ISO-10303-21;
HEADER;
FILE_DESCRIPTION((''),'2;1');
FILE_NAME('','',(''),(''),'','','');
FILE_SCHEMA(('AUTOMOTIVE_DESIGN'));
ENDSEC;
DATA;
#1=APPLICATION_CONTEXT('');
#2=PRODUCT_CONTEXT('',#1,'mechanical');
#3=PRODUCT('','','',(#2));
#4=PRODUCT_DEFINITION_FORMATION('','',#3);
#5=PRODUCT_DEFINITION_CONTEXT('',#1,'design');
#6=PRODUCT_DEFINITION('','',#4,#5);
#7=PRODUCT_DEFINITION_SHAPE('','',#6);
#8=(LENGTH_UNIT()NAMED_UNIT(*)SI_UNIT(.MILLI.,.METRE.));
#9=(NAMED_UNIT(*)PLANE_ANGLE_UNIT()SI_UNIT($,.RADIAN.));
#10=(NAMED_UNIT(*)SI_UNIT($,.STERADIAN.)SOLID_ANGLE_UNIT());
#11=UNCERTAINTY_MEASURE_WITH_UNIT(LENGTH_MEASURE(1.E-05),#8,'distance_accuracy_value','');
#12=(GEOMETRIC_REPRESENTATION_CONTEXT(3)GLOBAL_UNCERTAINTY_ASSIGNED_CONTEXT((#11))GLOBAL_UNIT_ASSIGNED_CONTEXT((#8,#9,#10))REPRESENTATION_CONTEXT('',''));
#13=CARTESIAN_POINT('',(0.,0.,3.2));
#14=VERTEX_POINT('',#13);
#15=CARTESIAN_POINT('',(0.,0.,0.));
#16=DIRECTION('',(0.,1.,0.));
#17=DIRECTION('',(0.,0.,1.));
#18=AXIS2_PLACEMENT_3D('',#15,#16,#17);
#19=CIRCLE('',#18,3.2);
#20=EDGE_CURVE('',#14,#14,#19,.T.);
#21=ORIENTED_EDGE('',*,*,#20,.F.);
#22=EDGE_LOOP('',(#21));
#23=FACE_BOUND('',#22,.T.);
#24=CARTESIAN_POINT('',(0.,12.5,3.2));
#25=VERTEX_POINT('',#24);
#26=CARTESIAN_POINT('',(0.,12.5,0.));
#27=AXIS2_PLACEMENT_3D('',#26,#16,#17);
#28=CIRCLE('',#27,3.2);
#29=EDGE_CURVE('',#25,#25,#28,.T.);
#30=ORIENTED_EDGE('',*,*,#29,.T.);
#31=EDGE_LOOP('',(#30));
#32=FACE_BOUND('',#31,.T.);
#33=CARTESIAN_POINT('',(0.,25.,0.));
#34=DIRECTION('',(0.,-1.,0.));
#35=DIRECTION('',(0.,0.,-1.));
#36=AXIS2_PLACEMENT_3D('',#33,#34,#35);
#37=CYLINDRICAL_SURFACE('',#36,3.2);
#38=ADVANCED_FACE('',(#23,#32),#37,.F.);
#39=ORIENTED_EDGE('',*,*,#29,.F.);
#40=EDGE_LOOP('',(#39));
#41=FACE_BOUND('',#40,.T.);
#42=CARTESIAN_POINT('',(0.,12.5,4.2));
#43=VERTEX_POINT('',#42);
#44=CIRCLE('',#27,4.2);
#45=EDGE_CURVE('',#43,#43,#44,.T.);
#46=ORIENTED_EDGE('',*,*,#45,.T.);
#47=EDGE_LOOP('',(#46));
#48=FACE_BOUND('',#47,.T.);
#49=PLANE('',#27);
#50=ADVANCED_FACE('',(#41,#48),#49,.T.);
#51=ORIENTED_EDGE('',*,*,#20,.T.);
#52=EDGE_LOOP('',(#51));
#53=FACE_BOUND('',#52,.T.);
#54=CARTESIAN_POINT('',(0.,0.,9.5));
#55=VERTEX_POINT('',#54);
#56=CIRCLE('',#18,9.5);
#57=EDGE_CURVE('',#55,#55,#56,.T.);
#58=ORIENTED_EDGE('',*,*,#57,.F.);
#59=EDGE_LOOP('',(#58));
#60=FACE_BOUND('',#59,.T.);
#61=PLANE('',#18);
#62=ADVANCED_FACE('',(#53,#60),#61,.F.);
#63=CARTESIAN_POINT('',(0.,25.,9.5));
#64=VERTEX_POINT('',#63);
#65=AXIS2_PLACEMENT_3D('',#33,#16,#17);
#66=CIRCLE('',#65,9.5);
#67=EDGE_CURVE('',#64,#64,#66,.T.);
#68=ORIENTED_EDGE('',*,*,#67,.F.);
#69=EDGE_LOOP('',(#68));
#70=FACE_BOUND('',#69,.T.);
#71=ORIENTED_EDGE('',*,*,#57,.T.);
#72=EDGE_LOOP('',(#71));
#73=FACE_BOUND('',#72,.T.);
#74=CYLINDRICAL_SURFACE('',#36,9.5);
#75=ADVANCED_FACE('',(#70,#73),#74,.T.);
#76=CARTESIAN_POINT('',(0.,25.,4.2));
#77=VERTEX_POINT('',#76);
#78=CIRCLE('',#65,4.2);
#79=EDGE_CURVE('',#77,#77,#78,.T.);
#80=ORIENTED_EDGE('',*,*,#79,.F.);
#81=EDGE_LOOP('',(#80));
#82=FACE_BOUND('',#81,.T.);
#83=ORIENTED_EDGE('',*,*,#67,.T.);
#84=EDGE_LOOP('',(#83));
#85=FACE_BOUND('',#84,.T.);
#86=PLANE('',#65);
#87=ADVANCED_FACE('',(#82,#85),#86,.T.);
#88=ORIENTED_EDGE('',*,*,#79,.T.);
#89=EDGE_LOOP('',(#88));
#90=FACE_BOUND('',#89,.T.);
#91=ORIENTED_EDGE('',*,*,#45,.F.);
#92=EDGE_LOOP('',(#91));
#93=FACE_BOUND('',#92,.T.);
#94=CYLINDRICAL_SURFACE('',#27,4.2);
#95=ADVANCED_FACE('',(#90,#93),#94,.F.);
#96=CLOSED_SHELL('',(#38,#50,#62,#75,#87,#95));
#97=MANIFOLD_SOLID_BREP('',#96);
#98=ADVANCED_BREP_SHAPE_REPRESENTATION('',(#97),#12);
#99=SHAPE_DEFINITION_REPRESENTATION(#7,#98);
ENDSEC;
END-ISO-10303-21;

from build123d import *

# Parameters (mm, degrees)
SKETCH1_R           = 9.5
SKETCH1_R_2         = 3.2
BOSS_EXTRUDE1_DEPTH = 25
SKETCH2_R           = 4.2
CUT_EXTRUDE1_DEPTH  = 12.5


with BuildPart() as part:
    # Sketch1 → Boss-Extrude1 (new body)
    with BuildSketch(Plane(origin=(0, 0, 0), x_dir=(1, 0, 0), z_dir=(0, 1, 0))):
        with Locations(Location((0, 0, 0), (0, 0, 270))):
            Circle(SKETCH1_R)
        with Locations(Location((0, 0, 0), (0, 0, 270))):
            Circle(SKETCH1_R_2, mode=Mode.SUBTRACT)
    extrude(amount=BOSS_EXTRUDE1_DEPTH)

    # Sketch2 → Cut-Extrude1 (cut)
    with BuildSketch(Plane(origin=(0, 25, 0), x_dir=(1, 0, 0), z_dir=(0, 1, 0))):
        with Locations(Location((0, 0, 0), (0, 0, 270))):
            Circle(SKETCH2_R)
    extrude(amount=-CUT_EXTRUDE1_DEPTH, mode=Mode.SUBTRACT)


solid = part.part
